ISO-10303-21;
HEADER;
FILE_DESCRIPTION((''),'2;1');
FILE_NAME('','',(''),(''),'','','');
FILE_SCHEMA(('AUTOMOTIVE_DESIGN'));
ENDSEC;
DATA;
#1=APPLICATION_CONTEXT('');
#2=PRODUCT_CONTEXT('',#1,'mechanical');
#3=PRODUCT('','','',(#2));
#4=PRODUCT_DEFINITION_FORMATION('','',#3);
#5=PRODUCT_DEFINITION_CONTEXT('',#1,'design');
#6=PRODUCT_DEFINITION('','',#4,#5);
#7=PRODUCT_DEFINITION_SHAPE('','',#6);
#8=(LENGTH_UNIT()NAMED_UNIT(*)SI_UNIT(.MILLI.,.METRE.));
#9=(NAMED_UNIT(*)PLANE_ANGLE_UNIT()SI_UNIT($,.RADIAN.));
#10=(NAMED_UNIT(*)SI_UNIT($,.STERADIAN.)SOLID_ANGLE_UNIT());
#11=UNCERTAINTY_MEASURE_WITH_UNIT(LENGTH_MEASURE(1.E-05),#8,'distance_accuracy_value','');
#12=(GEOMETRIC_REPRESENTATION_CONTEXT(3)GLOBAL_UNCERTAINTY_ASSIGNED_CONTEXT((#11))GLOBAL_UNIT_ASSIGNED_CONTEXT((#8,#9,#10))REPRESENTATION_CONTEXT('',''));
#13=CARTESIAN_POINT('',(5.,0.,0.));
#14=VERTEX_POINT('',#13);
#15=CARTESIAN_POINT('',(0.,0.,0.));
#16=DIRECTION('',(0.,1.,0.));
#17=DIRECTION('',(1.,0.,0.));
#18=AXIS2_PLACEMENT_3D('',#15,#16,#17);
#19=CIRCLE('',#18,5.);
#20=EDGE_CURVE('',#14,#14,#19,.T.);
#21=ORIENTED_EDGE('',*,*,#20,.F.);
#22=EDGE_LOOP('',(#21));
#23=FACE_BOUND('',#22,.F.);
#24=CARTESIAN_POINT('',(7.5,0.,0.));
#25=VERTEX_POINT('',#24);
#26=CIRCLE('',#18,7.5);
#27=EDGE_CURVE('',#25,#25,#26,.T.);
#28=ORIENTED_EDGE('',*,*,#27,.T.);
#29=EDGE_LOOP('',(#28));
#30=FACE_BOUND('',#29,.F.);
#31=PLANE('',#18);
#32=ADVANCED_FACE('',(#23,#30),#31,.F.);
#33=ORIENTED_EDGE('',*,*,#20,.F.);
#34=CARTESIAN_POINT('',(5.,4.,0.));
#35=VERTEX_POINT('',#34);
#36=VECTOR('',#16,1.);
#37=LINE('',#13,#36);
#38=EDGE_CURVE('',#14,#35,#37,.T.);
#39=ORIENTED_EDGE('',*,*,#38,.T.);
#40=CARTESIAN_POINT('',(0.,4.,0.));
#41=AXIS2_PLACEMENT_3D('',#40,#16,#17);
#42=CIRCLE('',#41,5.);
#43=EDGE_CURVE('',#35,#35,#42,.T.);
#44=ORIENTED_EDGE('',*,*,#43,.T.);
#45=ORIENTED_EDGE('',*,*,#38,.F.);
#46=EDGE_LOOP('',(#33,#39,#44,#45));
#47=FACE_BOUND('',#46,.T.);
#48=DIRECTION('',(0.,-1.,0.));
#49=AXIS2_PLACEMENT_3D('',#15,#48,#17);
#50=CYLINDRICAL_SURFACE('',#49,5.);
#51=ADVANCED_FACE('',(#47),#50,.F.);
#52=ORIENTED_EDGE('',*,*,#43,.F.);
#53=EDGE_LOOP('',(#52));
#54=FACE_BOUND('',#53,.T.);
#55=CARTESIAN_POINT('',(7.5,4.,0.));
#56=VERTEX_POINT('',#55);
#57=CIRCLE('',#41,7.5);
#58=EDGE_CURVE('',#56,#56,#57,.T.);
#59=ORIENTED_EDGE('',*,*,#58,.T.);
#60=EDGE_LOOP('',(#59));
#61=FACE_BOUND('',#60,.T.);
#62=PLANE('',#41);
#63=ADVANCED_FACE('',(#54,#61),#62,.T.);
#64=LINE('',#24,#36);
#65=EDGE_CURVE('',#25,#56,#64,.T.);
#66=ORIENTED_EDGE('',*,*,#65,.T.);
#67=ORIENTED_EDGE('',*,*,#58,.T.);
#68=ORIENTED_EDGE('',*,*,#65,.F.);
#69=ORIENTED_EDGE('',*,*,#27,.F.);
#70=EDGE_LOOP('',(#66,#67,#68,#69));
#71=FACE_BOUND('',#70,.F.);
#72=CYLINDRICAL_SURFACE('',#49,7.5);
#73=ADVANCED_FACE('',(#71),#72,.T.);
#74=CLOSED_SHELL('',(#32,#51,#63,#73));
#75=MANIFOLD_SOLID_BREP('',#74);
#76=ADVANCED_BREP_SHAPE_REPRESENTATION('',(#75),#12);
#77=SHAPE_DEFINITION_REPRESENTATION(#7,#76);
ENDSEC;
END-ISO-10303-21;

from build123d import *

# Parameters (mm, degrees)
SKETCH_1_R      = 7.5
SKETCH_1_R_2    = 5
EXTRUDE_1_DEPTH = 4


with BuildPart() as part:
    # 草图1 → 凸台-拉伸1 (new body)
    with BuildSketch(Plane(origin=(0, 0, 0), x_dir=(1, 0, 0), z_dir=(0, 1, 0))):
        Circle(SKETCH_1_R)
        Circle(SKETCH_1_R_2, mode=Mode.SUBTRACT)
    extrude(amount=EXTRUDE_1_DEPTH)


solid = part.part
